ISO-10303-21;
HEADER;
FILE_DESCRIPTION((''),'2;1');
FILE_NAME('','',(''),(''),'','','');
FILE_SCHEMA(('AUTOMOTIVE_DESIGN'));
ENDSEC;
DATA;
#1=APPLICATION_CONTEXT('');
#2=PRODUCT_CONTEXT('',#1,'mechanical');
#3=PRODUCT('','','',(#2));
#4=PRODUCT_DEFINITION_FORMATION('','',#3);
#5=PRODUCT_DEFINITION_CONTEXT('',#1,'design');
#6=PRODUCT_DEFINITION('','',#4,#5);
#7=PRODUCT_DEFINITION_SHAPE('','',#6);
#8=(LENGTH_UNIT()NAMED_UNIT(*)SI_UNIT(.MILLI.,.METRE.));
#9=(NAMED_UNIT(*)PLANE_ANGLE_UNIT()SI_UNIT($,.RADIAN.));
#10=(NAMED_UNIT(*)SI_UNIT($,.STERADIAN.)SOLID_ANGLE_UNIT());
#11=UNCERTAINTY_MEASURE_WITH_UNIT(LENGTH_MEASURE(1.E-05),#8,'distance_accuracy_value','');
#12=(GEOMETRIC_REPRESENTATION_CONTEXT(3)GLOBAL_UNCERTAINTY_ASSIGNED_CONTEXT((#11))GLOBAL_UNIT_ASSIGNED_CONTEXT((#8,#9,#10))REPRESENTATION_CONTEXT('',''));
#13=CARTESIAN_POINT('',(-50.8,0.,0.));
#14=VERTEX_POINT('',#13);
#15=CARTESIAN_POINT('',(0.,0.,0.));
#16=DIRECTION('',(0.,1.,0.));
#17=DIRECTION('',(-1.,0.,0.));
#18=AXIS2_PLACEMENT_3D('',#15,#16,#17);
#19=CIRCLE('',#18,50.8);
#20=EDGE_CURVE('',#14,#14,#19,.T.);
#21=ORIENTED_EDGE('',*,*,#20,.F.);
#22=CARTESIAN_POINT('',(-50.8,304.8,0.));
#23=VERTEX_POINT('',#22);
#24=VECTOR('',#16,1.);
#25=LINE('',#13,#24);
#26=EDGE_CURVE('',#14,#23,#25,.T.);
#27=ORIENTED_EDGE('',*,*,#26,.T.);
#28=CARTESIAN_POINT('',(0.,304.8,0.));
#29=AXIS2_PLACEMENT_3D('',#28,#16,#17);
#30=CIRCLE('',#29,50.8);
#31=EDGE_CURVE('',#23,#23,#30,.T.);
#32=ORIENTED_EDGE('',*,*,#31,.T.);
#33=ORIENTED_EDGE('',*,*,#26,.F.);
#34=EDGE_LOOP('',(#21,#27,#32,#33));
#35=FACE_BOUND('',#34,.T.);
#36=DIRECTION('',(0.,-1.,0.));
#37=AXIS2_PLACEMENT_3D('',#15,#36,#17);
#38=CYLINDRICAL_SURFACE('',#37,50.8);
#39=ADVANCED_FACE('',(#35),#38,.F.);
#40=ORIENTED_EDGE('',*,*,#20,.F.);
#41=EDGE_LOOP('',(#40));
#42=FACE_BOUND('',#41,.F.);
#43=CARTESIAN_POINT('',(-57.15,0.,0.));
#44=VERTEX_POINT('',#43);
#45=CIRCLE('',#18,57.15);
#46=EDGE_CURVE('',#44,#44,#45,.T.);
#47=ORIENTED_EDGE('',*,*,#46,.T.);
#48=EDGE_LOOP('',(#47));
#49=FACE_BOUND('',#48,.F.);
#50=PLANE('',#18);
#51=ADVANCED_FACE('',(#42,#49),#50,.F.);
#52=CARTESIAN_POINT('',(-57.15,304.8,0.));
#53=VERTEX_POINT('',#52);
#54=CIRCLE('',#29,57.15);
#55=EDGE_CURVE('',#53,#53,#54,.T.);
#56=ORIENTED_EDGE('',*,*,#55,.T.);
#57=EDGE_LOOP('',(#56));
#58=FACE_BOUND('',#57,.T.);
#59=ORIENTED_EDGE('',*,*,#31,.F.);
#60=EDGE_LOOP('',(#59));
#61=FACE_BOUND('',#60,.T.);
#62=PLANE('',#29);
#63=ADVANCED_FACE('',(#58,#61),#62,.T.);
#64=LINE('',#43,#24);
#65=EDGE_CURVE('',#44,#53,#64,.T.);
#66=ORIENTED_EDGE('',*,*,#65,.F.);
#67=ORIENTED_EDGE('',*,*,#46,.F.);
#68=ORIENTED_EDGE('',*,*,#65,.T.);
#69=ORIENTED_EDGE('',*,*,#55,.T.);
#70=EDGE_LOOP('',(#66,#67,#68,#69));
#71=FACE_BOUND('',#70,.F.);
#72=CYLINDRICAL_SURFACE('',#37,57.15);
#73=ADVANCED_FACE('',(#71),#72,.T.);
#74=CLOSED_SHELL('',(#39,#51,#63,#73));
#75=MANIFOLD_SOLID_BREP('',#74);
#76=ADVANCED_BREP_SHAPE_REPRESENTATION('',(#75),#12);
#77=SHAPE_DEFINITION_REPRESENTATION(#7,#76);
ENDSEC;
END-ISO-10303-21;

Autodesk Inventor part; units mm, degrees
ref_plane "YZ Plane" through (0, 0, 0) normal (1, 0, 0) x (0, 1, 0)
ref_plane "XZ Plane" through (0, 0, 0) normal (0, 1, 0) x (-1, 0, 0)
ref_plane "XY Plane" through (0, 0, 0) normal (0, 0, 1) x (1, 0, 0)
sketch "Sketch1" plane through (0, 0, 0) normal (0, 1, 0) x (-1, 0, 0)
  circle A0 centre (0, 0) radius 50.8
  circle A1 centre (0, 0) radius 57.15
  dimension "d0" = 101.6
  dimension "d1" = 114.3
extrude "Extrusion1" add sketch "Sketch1" along normal blind 304.8
properties part number "Wash Chamber Tube"
